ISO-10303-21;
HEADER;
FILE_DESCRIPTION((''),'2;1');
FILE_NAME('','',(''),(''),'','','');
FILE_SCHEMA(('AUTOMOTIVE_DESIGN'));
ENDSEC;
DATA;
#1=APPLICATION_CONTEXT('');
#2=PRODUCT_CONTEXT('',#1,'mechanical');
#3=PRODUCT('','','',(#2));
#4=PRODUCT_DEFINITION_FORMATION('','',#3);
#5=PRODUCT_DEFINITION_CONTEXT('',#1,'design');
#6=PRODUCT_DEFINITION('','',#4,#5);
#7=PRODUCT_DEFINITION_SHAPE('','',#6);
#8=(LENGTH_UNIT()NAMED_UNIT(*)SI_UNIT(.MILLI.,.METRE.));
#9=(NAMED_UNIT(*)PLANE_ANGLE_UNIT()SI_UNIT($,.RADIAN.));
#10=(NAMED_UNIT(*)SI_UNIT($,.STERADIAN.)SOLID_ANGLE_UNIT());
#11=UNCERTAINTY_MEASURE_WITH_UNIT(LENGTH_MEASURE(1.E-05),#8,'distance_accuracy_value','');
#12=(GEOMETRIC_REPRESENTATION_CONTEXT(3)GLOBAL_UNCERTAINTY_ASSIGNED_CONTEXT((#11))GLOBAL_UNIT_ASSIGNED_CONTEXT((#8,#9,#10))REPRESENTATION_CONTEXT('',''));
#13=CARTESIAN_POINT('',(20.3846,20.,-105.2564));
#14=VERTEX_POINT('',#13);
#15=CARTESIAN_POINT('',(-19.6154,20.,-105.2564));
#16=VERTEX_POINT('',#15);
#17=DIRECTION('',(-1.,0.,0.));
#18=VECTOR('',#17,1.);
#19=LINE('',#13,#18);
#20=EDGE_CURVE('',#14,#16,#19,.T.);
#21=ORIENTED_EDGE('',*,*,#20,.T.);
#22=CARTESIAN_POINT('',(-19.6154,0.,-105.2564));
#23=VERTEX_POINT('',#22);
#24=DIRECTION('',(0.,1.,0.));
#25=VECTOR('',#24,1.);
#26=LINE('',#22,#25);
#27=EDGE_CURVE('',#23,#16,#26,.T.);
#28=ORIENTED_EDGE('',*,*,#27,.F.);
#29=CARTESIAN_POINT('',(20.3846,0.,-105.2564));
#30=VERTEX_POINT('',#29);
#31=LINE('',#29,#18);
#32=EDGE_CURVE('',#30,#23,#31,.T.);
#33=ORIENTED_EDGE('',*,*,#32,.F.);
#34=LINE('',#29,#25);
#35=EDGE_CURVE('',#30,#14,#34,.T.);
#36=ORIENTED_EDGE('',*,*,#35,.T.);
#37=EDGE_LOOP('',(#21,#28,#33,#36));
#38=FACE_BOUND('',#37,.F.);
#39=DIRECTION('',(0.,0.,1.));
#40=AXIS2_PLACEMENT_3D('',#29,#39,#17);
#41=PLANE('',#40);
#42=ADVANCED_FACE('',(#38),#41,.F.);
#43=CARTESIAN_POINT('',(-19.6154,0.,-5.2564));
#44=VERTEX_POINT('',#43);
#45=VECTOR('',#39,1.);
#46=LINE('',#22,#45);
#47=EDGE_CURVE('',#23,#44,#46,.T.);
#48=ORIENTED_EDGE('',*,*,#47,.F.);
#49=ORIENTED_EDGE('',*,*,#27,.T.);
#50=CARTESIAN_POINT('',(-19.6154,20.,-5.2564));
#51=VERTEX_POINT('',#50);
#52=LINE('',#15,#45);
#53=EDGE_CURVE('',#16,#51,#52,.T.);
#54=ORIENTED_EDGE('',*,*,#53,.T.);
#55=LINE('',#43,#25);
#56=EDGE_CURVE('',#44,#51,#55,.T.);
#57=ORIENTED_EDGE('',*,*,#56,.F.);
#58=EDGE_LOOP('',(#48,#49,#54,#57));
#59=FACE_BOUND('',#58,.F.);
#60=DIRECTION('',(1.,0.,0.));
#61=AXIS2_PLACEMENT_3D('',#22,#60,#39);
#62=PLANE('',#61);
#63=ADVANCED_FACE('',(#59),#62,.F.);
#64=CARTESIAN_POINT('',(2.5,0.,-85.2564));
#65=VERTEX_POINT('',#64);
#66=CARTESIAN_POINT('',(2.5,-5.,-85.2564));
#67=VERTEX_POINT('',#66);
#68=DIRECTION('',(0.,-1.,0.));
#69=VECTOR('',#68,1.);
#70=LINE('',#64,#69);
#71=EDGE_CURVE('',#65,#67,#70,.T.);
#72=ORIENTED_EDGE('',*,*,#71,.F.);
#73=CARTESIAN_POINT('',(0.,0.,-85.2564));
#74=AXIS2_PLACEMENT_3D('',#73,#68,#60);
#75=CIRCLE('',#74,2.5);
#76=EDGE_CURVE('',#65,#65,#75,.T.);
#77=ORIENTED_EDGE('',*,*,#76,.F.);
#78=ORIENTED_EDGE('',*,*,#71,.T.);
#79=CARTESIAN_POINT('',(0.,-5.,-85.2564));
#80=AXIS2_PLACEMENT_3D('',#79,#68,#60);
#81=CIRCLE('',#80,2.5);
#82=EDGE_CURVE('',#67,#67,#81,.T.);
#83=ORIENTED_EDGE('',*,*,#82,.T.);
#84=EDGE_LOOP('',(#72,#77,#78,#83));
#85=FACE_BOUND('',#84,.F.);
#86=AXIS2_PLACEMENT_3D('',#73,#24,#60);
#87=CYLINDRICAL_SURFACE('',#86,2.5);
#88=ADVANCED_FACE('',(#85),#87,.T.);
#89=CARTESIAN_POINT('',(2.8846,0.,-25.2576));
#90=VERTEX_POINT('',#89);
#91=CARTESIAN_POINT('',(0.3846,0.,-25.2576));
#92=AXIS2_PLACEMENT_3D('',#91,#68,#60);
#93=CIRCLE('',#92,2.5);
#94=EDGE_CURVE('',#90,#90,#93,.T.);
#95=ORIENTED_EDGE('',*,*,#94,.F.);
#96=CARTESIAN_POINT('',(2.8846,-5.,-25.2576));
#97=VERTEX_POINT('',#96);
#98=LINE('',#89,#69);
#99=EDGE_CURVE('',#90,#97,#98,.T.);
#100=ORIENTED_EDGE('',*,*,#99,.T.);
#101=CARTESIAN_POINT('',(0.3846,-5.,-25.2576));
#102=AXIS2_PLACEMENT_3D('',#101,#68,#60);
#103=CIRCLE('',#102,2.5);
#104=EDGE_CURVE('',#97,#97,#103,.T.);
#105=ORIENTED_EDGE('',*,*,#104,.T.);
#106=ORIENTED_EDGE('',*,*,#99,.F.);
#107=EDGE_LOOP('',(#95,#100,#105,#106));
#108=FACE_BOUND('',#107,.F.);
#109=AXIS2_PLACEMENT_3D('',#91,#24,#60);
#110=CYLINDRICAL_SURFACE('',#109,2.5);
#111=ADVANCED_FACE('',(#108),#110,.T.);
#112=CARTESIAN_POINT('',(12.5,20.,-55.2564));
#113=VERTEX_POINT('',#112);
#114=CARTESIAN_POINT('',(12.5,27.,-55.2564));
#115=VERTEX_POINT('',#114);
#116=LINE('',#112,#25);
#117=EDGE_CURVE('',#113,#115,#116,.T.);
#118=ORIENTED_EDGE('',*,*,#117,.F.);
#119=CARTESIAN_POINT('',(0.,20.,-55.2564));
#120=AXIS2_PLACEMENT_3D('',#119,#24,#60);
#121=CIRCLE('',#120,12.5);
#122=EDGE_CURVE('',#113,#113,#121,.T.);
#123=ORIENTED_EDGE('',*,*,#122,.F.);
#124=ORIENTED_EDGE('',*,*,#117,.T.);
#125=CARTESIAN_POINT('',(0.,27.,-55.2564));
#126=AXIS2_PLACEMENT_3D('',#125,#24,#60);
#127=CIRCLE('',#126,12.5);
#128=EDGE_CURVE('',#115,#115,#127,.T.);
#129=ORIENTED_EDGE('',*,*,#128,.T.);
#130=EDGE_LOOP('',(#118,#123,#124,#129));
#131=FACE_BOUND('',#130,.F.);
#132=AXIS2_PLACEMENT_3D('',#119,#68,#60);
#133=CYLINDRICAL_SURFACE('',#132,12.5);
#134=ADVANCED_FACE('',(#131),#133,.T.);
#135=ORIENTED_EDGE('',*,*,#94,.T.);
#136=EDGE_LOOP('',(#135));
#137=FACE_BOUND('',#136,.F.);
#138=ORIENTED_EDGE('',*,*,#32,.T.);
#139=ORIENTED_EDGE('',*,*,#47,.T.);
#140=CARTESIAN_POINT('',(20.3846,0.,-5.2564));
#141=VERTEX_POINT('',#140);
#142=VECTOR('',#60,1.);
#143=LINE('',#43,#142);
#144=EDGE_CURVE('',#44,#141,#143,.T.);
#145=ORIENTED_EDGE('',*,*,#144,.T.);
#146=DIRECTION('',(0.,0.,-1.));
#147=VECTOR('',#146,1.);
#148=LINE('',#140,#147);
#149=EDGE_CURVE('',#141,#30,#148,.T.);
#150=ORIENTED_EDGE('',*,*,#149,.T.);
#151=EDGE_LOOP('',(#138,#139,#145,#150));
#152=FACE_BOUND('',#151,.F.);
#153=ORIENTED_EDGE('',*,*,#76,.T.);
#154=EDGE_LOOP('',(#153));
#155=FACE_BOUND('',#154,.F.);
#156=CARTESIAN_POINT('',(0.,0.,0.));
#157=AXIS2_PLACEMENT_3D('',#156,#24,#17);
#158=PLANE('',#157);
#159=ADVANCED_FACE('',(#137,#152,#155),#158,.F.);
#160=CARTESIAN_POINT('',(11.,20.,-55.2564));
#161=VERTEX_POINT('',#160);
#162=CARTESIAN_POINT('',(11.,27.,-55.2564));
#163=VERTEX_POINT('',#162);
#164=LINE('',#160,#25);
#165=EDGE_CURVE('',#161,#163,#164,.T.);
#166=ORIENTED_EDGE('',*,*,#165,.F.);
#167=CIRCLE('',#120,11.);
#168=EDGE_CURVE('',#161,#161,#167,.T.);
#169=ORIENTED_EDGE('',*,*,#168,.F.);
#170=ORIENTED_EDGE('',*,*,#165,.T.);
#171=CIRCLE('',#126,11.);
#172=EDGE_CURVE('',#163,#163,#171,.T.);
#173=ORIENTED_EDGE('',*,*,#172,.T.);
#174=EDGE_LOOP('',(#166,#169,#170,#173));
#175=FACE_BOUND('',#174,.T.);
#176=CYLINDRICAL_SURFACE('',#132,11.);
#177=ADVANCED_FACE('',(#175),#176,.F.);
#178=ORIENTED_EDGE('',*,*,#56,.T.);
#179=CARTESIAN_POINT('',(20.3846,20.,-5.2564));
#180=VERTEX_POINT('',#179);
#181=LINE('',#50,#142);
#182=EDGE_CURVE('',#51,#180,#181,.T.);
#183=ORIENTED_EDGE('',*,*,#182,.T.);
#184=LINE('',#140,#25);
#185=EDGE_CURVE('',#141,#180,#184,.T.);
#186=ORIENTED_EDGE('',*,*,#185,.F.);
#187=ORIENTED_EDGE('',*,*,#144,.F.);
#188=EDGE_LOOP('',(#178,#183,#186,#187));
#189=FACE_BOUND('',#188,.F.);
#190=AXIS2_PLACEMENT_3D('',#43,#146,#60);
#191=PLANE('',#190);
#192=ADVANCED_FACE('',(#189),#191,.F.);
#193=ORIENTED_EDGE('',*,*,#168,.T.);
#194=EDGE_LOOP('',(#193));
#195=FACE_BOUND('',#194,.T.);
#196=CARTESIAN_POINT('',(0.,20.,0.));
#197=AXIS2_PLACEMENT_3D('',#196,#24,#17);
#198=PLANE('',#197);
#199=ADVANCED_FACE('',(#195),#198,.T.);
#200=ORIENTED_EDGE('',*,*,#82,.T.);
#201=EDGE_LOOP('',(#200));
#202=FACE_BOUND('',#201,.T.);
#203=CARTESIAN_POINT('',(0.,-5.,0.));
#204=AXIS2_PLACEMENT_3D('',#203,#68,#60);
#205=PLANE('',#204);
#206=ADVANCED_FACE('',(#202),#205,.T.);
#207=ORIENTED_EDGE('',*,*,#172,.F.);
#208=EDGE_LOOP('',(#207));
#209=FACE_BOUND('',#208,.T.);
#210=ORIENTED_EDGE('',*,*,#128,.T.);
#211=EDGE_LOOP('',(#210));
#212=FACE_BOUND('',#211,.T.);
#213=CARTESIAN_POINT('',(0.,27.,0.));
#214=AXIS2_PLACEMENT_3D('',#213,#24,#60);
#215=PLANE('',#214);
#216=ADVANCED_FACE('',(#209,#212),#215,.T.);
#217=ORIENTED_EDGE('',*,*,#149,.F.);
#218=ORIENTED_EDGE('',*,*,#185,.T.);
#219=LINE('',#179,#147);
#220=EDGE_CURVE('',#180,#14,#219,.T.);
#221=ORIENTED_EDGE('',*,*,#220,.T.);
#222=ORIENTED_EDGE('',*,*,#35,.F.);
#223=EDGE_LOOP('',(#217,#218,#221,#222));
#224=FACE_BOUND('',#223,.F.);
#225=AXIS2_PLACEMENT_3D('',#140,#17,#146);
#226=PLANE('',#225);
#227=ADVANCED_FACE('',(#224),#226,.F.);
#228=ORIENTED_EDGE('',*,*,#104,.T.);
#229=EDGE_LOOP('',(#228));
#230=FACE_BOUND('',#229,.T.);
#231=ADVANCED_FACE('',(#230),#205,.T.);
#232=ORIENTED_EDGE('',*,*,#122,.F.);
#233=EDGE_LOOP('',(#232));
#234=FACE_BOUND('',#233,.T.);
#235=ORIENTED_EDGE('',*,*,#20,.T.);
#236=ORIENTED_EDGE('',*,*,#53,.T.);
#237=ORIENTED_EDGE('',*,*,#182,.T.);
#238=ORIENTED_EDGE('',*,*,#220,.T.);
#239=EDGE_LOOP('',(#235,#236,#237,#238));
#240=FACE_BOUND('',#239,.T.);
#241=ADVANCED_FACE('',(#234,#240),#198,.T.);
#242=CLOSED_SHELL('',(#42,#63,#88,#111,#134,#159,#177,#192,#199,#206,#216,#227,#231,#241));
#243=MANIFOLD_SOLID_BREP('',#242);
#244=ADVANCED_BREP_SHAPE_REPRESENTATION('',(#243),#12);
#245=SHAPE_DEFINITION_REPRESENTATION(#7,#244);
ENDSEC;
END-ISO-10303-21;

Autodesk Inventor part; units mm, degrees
ref_plane "YZ Plane" through (0, 0, 0) normal (1, 0, 0) x (0, 1, 0)
ref_plane "XZ Plane" through (0, 0, 0) normal (0, 1, 0) x (-1, 0, 0)
ref_plane "XY Plane" through (0, 0, 0) normal (0, 0, 1) x (1, 0, 0)
sketch "Esboço1" plane through (0, 0, 0) normal (0, 1, 0) x (-1, 0, 0)
  line L0 (19.6154, -5.2564) -> (-20.3846, -5.2564)
  line L1 (-20.3846, -5.2564) -> (-20.3846, -105.2564)
  line L2 (-20.3846, -105.2564) -> (19.6154, -105.2564)
  line L3 (19.6154, -105.2564) -> (19.6154, -5.2564)
  point P0 (0, 0)
  dimension "d0" = 40
  dimension "d4" = 100
extrude "Extrusão1" add sketch "Esboço1" along normal blind 20
sketch "Esboço2" plane through (0, 20, 0) normal (0, 1, 0) x (1, 0, 0)
  circle A0 centre (0, 55.2564) radius 12.5
  circle A1 centre (0, 55.2564) radius 11
  line L0 (20.3846, 105.2564) -> (-19.6154, 105.2564) projected
  point P0 (0, 0)
  dimension "d11" = 22
  dimension "d12" = 25
  dimension "d13" = 50
extrude "Extrusão2" add sketch "Esboço2" along normal blind 7
sketch "Esboço3" plane through (0, 0, 0) normal (0, -1, 0) x (1, 0, 0)
  circle A0 centre (0.3846, -25.2576) radius 2.5
  circle A1 centre (0, -85.2564) radius 2.5
  line L0 (20.3846, -105.2564) -> (-19.6154, -105.2564) projected
  line L1 (20.3846, -5.2564) -> (20.3846, -105.2564) projected
  point P0 (0, 0)
  dimension "d16" = 5
  dimension "d17" = 5
  dimension "d18" = 60
  dimension "d19" = 20
  dimension "d20" = 20
extrude "Extrusão3" add sketch "Esboço3" along normal blind 5
properties part number "Suporte para estrutura_CPY" material "ABS plástico"
